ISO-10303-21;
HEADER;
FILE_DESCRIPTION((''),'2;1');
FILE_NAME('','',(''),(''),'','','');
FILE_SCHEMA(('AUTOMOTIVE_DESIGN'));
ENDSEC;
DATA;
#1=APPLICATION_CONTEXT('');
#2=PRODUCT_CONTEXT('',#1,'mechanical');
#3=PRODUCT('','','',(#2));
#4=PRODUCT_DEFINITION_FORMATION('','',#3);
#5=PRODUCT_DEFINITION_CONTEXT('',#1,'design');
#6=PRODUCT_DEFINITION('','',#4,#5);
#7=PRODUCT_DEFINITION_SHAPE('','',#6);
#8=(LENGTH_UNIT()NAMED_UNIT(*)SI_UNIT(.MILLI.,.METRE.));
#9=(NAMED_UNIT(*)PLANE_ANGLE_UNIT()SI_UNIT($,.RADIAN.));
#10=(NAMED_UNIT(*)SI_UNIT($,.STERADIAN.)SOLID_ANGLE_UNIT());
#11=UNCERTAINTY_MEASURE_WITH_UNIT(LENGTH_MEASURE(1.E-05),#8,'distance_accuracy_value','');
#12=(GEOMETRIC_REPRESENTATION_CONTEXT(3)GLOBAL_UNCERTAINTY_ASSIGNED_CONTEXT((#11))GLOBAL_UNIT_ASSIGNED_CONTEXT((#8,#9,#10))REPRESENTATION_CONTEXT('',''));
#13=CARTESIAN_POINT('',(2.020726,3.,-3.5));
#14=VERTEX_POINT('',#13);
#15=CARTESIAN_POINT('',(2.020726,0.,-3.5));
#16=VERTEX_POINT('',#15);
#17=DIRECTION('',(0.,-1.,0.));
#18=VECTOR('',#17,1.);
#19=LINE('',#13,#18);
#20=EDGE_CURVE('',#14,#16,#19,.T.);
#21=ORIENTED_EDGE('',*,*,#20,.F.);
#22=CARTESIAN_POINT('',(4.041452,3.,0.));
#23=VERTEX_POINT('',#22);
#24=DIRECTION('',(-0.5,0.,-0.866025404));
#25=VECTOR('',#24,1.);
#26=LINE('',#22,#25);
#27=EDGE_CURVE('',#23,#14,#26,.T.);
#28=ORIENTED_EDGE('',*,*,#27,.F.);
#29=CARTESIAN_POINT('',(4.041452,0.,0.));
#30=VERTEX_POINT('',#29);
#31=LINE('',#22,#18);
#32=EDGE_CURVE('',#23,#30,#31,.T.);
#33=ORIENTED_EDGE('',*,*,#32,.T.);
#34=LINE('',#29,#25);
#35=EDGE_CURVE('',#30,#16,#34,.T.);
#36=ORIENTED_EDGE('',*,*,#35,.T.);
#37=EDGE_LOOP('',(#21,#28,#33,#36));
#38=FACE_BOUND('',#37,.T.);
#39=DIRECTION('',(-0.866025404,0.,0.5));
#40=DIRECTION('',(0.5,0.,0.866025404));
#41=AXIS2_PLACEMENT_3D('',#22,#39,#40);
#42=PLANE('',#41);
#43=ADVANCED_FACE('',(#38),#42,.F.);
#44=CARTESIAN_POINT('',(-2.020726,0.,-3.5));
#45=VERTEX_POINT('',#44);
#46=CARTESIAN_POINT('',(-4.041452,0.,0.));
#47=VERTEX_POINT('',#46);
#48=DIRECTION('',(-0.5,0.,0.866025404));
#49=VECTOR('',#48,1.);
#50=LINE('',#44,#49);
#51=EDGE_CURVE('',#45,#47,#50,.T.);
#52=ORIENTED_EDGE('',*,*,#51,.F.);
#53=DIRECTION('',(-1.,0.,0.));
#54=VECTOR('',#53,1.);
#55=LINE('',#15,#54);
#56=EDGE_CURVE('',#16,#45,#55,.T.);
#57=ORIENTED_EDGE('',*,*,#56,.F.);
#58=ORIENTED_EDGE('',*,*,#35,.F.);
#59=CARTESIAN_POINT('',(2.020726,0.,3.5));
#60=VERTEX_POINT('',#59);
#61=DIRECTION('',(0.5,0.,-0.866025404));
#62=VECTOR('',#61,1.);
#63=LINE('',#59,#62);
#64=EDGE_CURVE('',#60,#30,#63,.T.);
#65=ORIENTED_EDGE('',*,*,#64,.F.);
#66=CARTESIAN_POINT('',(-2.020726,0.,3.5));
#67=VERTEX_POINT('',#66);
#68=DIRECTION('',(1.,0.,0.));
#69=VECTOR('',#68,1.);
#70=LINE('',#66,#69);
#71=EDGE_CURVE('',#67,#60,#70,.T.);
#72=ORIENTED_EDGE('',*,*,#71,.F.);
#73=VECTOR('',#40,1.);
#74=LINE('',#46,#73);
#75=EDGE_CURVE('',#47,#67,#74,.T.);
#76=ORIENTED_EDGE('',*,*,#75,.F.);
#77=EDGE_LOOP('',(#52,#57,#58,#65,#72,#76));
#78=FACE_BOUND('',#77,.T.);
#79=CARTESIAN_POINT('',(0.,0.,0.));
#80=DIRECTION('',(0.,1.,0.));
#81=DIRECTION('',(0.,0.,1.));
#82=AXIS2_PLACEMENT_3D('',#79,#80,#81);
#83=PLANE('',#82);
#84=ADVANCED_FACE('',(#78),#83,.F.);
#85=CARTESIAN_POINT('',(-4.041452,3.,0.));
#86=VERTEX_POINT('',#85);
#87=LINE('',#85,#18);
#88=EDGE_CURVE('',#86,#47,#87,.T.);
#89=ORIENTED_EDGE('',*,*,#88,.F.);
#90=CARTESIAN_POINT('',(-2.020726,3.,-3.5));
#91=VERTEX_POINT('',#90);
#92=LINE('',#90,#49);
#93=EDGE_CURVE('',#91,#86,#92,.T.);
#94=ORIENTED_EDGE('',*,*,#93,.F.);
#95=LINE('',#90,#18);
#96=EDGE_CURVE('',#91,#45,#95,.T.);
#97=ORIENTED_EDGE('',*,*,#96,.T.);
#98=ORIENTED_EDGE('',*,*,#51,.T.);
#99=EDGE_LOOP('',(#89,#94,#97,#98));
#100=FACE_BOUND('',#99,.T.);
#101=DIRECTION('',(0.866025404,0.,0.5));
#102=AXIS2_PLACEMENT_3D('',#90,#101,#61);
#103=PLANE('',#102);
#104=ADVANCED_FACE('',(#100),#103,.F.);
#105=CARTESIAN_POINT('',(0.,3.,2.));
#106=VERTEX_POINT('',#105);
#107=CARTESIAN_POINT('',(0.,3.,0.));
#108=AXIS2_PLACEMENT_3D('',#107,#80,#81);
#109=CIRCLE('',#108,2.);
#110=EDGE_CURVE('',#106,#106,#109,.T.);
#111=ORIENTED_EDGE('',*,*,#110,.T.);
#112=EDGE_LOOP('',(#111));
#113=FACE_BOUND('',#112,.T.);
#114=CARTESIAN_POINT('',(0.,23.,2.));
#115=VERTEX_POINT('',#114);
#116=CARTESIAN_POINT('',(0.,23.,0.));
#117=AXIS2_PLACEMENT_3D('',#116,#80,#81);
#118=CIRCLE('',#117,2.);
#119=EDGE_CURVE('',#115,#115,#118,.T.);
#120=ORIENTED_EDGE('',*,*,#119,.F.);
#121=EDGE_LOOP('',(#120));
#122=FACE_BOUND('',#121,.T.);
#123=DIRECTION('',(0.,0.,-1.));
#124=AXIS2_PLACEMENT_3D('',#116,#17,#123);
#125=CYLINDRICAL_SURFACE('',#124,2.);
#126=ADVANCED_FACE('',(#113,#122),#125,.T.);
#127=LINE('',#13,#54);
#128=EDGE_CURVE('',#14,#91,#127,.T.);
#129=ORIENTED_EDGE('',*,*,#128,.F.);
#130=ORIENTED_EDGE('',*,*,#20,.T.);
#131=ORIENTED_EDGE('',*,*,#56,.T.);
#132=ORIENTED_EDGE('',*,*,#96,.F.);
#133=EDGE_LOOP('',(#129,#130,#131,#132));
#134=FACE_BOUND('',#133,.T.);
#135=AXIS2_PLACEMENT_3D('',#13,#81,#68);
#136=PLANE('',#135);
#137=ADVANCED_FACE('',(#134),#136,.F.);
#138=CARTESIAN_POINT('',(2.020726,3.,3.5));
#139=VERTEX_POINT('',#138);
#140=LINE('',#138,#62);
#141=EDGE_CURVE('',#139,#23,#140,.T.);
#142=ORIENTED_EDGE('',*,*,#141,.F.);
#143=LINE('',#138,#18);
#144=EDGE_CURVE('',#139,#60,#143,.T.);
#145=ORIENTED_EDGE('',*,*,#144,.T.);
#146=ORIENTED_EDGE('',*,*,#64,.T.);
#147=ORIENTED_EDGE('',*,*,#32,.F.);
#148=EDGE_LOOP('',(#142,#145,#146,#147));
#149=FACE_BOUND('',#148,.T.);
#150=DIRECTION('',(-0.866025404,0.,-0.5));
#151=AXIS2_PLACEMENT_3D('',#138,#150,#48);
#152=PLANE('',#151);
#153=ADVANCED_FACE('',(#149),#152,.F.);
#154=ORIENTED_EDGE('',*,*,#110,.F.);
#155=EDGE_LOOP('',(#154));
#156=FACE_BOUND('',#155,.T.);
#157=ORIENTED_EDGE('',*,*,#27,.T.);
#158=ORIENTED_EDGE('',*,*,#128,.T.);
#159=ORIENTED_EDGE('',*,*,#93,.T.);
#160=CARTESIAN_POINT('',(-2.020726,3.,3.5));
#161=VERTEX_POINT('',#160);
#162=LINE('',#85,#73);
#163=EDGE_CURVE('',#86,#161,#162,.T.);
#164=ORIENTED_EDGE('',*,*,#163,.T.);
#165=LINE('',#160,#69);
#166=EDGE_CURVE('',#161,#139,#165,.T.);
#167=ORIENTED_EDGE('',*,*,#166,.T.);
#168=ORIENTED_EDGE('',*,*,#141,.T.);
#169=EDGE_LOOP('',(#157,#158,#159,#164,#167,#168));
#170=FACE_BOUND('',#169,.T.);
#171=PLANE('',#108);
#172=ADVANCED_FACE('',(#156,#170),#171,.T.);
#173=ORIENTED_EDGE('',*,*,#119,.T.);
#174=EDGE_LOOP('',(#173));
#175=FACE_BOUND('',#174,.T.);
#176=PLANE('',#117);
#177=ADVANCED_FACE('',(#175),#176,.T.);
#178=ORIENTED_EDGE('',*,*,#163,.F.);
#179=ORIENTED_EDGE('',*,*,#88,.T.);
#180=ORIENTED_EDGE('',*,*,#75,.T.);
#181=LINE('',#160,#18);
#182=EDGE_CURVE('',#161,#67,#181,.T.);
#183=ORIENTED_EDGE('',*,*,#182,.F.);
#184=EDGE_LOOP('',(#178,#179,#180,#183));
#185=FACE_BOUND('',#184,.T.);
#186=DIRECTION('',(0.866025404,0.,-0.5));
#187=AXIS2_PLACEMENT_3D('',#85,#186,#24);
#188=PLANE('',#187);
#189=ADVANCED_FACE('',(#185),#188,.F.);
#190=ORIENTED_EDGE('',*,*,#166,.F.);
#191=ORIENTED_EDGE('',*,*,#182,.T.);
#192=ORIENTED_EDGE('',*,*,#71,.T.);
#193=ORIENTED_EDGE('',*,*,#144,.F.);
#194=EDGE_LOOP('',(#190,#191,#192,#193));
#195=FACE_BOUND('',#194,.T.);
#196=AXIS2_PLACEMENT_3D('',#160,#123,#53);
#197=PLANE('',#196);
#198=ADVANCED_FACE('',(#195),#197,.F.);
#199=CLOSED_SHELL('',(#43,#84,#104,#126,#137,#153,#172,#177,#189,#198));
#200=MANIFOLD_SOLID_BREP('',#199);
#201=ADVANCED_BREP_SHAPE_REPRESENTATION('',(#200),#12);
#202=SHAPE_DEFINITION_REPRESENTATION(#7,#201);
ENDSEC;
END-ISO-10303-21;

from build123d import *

# Parameters (mm, degrees)
BOSS_EXTRUDE1_DEPTH = 3
SKETCH2_R           = 2
BOSS_EXTRUDE2_DEPTH = 20


with BuildPart() as part:
    # Sketch1 → Boss-Extrude1 (new body)
    with BuildSketch(Plane(origin=(0, 0, 0), x_dir=(1, 0, 0), z_dir=(0, 1, 0))):
        Polygon((-4.041451884, 0), (-2.020725942, -3.5), (2.020725942, -3.5), (4.041451884, 0), (2.020725942, 3.5), (-2.020725942, 3.5), align=None)
    extrude(amount=BOSS_EXTRUDE1_DEPTH)

    # Sketch2 → Boss-Extrude2 (add)
    with BuildSketch(Plane(origin=(0, 3, 0), x_dir=(1, 0, 0), z_dir=(0, 1, 0))):
        with Locations(Location((0, 0, 0), (0, 0, 270))):
            Circle(SKETCH2_R)
    extrude(amount=BOSS_EXTRUDE2_DEPTH)


solid = part.part
